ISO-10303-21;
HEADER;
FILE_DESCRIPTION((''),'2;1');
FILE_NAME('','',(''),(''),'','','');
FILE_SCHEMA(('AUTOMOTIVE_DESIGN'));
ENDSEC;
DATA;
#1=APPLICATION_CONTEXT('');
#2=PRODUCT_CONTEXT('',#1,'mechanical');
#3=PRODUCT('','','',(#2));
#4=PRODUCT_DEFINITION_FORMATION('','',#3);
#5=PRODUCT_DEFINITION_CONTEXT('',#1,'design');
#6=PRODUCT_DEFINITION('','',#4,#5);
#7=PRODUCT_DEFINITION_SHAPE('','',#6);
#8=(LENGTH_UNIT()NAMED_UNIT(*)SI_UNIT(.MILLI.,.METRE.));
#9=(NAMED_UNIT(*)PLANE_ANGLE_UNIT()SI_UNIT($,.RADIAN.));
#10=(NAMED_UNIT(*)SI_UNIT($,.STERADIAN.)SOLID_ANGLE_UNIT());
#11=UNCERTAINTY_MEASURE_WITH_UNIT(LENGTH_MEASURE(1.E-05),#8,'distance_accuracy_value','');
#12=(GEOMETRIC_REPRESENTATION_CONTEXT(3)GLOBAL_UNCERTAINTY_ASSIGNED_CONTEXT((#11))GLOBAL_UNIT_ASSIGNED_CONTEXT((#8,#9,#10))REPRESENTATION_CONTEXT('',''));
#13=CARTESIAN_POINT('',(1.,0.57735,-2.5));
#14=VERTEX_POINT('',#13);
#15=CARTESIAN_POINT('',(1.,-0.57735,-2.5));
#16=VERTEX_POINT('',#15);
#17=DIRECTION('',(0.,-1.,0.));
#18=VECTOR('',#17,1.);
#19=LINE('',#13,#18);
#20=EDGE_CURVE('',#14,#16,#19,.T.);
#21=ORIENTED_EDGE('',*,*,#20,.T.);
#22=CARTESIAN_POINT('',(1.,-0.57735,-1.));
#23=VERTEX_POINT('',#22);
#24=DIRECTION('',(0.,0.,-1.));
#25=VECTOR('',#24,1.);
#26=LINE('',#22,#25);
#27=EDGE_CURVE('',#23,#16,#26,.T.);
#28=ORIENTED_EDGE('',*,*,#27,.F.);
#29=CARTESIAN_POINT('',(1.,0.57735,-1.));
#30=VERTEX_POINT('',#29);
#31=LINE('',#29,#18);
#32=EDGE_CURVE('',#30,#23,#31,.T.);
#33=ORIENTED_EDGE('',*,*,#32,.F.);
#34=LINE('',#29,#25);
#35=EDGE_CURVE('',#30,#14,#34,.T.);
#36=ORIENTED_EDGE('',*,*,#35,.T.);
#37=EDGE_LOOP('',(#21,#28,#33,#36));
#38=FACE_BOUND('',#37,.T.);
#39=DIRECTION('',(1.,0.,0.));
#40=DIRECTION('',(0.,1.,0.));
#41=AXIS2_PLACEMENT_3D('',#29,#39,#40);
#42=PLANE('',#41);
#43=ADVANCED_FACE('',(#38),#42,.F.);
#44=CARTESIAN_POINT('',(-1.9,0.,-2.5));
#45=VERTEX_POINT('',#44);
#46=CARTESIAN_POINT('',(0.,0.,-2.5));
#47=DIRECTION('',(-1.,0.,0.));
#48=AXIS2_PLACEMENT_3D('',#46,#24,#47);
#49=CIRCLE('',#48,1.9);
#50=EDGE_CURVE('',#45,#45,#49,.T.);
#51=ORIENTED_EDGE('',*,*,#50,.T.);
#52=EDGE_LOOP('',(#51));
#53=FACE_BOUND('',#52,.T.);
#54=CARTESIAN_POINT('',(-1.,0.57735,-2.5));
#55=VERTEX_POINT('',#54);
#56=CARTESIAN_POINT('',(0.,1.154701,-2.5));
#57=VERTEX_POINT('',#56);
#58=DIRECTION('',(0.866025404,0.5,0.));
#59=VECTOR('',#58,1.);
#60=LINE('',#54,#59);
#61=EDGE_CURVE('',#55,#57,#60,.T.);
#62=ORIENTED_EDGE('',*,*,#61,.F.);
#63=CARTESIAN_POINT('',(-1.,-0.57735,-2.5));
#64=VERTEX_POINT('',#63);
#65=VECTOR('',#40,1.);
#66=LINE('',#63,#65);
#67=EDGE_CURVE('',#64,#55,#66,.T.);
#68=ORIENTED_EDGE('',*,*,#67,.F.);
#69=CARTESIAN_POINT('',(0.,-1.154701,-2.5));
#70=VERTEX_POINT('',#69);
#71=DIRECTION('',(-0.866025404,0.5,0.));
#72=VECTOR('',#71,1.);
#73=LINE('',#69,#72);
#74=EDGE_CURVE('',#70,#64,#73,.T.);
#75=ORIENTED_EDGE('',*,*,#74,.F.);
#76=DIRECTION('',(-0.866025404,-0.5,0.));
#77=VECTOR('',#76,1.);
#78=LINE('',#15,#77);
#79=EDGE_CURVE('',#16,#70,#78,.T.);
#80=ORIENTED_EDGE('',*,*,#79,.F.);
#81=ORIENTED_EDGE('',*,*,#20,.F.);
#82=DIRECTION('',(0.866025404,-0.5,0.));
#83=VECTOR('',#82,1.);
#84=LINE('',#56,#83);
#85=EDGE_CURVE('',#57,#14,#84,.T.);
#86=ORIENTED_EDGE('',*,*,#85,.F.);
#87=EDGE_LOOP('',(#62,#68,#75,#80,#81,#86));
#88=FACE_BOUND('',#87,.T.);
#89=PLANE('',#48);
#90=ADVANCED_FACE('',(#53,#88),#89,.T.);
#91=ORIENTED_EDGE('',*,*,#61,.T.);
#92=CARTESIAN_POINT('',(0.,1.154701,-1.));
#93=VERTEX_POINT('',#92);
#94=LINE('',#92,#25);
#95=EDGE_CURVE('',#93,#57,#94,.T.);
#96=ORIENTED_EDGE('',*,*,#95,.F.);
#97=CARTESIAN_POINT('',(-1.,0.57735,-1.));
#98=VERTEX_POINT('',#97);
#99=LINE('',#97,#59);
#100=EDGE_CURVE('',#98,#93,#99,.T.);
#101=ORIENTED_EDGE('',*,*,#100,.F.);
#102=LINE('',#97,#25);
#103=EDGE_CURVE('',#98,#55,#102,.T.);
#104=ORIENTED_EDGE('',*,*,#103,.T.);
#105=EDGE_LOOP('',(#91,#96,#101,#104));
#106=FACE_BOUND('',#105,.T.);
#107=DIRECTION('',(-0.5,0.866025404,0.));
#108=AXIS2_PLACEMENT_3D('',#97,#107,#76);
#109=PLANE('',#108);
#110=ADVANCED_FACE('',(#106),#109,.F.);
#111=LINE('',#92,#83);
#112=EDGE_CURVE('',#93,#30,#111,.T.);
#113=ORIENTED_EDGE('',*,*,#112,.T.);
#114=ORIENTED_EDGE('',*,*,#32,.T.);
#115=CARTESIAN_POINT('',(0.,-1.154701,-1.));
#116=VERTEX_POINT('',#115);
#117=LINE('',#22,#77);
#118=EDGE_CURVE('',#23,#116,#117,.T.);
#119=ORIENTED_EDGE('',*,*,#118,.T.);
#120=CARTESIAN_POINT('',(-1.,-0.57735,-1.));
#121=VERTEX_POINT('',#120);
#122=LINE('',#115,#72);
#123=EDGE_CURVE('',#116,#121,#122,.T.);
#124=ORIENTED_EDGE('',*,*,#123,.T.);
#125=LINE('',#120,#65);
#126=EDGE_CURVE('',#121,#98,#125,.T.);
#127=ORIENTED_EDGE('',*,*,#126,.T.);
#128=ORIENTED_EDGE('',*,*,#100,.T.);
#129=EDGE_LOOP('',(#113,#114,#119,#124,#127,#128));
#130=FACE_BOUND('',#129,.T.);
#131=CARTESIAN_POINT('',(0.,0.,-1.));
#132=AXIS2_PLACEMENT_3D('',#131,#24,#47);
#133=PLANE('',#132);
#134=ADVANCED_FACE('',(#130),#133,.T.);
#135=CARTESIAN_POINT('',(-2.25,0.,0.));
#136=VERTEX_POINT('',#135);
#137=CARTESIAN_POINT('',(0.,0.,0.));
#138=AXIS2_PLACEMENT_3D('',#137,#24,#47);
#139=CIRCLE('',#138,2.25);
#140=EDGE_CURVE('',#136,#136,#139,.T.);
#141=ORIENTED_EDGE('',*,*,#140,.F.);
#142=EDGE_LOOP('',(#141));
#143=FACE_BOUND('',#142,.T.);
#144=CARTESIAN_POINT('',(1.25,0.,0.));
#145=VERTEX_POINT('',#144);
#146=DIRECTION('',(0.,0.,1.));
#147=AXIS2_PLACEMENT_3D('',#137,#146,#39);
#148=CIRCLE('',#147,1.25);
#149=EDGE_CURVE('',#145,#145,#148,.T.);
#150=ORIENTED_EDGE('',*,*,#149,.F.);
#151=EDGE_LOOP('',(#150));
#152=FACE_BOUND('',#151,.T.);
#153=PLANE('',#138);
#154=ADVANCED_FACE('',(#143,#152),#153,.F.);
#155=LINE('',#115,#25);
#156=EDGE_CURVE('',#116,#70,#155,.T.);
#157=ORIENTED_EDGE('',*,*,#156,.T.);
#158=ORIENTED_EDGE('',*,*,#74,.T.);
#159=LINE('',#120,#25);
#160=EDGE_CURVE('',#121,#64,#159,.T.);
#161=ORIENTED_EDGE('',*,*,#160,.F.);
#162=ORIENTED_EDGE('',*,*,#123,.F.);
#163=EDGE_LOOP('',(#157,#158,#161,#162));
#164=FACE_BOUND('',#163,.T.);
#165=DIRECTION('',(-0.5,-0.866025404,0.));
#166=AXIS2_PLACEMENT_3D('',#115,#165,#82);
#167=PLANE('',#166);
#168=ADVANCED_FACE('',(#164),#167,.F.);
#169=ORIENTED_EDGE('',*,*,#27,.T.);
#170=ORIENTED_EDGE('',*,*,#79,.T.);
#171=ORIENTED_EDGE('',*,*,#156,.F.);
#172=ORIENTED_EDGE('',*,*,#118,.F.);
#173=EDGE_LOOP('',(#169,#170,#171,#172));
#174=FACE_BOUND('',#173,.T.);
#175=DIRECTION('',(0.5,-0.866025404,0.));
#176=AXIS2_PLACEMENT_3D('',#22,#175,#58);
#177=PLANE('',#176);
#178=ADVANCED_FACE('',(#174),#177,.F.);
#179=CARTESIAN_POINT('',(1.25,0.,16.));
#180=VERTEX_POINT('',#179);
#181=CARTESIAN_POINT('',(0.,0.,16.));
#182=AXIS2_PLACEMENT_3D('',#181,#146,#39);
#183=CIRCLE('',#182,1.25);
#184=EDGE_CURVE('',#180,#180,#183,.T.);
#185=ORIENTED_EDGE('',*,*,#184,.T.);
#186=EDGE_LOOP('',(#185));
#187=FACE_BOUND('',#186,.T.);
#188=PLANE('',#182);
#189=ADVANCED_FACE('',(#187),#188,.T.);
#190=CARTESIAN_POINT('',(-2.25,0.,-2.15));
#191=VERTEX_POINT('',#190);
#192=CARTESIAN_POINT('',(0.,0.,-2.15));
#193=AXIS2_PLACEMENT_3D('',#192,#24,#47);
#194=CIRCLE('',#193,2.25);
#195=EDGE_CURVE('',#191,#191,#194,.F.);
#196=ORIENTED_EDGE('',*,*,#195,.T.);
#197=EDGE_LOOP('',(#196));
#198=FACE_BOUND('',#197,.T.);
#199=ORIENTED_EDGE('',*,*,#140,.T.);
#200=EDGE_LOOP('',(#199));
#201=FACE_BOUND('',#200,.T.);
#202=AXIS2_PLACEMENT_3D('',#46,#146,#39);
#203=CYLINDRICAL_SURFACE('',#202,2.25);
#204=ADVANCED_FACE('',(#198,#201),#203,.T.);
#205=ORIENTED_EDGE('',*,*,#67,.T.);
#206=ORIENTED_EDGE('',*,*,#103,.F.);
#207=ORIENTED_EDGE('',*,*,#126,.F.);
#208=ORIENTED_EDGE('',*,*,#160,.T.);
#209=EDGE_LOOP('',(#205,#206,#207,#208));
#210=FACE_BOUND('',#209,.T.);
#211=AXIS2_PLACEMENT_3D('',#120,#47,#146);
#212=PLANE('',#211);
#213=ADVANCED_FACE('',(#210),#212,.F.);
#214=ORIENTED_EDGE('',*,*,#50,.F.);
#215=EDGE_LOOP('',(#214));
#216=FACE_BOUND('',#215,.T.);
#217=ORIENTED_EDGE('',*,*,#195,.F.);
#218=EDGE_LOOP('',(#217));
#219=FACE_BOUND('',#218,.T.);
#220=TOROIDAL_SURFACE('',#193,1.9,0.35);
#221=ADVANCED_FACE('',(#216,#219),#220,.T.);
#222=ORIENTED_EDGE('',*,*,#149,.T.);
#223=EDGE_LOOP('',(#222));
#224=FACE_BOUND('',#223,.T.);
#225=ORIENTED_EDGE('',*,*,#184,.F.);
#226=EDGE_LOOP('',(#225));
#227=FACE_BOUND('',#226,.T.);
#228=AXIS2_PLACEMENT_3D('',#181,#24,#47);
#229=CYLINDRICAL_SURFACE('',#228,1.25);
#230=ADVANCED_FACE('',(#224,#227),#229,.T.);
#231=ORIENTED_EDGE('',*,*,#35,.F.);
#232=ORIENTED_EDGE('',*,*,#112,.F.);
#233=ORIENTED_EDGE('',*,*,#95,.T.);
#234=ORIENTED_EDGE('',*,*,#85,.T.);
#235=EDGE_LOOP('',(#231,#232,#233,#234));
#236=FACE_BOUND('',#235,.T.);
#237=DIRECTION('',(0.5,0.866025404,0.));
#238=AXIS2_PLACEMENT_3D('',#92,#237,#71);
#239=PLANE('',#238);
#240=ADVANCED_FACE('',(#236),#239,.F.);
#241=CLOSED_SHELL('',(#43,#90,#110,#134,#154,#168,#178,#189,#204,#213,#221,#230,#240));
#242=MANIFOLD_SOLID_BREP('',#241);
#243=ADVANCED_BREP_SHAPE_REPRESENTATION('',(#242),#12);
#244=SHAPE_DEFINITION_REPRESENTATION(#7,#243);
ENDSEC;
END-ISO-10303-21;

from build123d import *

# Parameters (mm, degrees)
CROQUIS1_R              = 1.25
SALIENTE_EXTRUIR1_DEPTH = 16
CROQUIS2_R              = 2.25
SALIENTE_EXTRUIR2_DEPTH = 2.5
CORTAR_EXTRUIR1_DEPTH   = 1.5
REDONDEO1_R             = 0.35


with BuildPart() as part:
    # Croquis1 → Saliente-Extruir1 (new body)
    with BuildSketch(Plane.XY):
        Circle(CROQUIS1_R)
    extrude(amount=SALIENTE_EXTRUIR1_DEPTH)

    # Croquis2 → Saliente-Extruir2 (add)
    with BuildSketch(Plane(origin=(0, 0, 0), x_dir=(-1, 0, 0), z_dir=(0, 0, -1))):
        Circle(CROQUIS2_R)
    extrude(amount=SALIENTE_EXTRUIR2_DEPTH)

    # Croquis3 → Cortar-Extruir1 (cut)
    with BuildSketch(Plane(origin=(0, 0, -2.5), x_dir=(-1, 0, 0), z_dir=(0, 0, -1))):
        Polygon((0, -1.154700538), (1, -0.577350269), (1, 0.577350269), (0, 1.154700538), (-1, 0.577350269), (-1, -0.577350269), align=None)
    extrude(amount=-CORTAR_EXTRUIR1_DEPTH, mode=Mode.SUBTRACT)

    # Redondeo1
    redondeo1_edges = [part.edges().sort_by_distance(p)[0] for p in [
        (2.25, 0, -2.5),
    ]]
    fillet(redondeo1_edges, radius=REDONDEO1_R)


solid = part.part
